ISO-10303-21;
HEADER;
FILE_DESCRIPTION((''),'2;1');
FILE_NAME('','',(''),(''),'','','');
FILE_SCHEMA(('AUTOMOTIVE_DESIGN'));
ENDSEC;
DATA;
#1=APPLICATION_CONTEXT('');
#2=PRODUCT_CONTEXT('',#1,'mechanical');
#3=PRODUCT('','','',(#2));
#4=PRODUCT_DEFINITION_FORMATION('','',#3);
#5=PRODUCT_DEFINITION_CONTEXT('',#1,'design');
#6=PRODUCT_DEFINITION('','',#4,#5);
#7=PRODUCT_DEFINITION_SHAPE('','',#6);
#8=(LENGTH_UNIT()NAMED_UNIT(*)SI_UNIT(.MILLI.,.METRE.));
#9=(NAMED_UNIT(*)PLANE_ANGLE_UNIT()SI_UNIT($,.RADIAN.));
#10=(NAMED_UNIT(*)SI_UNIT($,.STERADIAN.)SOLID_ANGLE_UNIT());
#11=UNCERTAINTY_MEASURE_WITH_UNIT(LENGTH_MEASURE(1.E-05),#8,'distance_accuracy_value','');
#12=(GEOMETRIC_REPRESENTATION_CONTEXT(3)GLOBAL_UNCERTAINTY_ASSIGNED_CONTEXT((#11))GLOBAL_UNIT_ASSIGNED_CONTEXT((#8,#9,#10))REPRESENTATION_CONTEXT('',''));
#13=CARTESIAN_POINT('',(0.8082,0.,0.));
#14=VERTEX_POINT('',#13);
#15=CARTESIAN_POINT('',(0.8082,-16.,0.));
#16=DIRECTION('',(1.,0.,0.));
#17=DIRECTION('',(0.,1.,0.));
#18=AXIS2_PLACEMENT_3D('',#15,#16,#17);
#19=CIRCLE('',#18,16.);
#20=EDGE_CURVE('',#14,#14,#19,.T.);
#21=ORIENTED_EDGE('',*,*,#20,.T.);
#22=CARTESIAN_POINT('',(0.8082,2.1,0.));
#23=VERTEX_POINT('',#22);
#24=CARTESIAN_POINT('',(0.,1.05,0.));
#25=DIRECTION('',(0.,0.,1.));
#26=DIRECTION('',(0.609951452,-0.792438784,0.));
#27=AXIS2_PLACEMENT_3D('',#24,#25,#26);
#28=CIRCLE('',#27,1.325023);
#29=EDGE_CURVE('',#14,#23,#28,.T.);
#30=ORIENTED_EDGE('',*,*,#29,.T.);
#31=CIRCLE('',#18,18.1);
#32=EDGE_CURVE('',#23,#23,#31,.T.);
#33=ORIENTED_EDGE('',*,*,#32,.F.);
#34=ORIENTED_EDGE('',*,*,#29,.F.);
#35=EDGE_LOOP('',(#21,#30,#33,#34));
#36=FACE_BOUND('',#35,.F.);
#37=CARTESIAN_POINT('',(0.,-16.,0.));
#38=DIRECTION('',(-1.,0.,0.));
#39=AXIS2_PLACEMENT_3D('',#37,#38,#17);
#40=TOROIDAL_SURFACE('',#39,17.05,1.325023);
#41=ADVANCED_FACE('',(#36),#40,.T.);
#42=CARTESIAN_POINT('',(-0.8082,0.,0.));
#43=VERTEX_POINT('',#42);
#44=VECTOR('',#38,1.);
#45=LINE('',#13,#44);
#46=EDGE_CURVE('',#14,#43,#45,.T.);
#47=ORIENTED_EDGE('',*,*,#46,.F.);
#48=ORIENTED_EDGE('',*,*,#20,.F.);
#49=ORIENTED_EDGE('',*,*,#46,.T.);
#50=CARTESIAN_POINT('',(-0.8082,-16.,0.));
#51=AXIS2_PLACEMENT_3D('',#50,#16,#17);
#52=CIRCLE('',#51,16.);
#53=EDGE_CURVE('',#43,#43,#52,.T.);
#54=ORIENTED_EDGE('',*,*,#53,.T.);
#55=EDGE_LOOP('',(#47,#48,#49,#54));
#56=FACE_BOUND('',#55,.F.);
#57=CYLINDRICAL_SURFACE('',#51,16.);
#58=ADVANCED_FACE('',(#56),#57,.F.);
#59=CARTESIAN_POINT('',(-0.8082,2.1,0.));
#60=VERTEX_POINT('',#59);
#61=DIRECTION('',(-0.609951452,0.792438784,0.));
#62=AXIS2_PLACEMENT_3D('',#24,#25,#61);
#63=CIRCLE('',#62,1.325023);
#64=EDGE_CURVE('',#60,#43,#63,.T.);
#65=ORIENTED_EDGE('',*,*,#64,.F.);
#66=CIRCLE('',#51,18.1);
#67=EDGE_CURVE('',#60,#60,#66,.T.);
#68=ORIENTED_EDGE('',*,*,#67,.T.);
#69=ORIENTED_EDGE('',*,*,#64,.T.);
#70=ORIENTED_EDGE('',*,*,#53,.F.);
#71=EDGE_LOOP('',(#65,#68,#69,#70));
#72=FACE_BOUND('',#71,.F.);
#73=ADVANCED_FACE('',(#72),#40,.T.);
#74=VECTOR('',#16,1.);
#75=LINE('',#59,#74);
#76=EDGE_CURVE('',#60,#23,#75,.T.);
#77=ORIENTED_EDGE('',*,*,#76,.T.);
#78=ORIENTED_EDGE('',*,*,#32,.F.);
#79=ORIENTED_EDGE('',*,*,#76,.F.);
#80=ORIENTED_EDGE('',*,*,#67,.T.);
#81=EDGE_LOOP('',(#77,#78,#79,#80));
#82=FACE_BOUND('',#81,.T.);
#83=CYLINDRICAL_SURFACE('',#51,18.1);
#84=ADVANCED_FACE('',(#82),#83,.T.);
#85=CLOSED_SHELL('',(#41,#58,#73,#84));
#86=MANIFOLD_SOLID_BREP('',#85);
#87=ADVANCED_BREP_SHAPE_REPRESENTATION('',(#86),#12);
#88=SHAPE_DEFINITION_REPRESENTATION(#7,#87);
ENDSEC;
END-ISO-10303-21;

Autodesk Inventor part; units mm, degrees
ref_plane "YZ Plane" through (0, 0, 0) normal (1, 0, 0) x (0, 1, 0)
ref_plane "XZ Plane" through (0, 0, 0) normal (0, 1, 0) x (-1, 0, 0)
ref_plane "XY Plane" through (0, 0, 0) normal (0, 0, 1) x (1, 0, 0)
sketch "Sketch1" plane through (0, 0, 0) normal (0, 0, 1) x (1, 0, 0)
  line L0 (-0.0113, 0) -> (-0.0113, 0) construction
  line L1 (-0.8082, 2.1) -> (0.8082, 2.1)
  line L2 (-0.8082, 0) -> (0.8082, 0)
  arc A0 (-0.8082, 2.1) -> (-0.8082, 0) centre (0, 1.05) ccw
  line L3 (-4, -16) -> (6.0335, -16)
  line L4 (-6.0067, 0) -> (8.0403, 0) projected
  line L5 (0, 4.64) -> (0, -12.44) projected
  arc A1 (0.8082, 0) -> (0.8082, 2.1) centre (0, 1.05) ccw
  dimension "d0" = 32
  dimension "d1" = 1.05
  dimension "d2" = 1.325
  dimension "d3" = 1.05
  dimension "d4" = 2.1
revolve "Body" add sketch "Sketch1" angle 360 about axis through (-4, -16, 0) along (1, 0, 0)
equation "\"d0\" = NND"
equation "\"d1\" = -0.25 * NND + 0.25 * NDOR"
equation "\"d2\" = 0.5 * QDM"
equation "\"d3\" = -0.25 * NND + 0.25 * NDOR"
equation "\"d4\" = -0.5 * NND + 0.5 * NDOR"
equation "\"QDM\" = 2.65"
equation "\"NND\" = 32"
equation "\"NDOR\" = 36.2"
equation "\"R2\" = 0.2"
equation "\"SD1\" = 32.5"
equation "\"R1\" = 0.3"
equation "\"NB2\" = 5"
equation "\"NB1\" = 3.6"
equation "\"NB3\" = 6.4"
equation "\"BD\" = 32.14"
equation "\"NTOR\" = -0.5 * NND + 0.5 * NDOR"
properties part number "ISO 3601-1 - B 0325 G" material "Rubber"
